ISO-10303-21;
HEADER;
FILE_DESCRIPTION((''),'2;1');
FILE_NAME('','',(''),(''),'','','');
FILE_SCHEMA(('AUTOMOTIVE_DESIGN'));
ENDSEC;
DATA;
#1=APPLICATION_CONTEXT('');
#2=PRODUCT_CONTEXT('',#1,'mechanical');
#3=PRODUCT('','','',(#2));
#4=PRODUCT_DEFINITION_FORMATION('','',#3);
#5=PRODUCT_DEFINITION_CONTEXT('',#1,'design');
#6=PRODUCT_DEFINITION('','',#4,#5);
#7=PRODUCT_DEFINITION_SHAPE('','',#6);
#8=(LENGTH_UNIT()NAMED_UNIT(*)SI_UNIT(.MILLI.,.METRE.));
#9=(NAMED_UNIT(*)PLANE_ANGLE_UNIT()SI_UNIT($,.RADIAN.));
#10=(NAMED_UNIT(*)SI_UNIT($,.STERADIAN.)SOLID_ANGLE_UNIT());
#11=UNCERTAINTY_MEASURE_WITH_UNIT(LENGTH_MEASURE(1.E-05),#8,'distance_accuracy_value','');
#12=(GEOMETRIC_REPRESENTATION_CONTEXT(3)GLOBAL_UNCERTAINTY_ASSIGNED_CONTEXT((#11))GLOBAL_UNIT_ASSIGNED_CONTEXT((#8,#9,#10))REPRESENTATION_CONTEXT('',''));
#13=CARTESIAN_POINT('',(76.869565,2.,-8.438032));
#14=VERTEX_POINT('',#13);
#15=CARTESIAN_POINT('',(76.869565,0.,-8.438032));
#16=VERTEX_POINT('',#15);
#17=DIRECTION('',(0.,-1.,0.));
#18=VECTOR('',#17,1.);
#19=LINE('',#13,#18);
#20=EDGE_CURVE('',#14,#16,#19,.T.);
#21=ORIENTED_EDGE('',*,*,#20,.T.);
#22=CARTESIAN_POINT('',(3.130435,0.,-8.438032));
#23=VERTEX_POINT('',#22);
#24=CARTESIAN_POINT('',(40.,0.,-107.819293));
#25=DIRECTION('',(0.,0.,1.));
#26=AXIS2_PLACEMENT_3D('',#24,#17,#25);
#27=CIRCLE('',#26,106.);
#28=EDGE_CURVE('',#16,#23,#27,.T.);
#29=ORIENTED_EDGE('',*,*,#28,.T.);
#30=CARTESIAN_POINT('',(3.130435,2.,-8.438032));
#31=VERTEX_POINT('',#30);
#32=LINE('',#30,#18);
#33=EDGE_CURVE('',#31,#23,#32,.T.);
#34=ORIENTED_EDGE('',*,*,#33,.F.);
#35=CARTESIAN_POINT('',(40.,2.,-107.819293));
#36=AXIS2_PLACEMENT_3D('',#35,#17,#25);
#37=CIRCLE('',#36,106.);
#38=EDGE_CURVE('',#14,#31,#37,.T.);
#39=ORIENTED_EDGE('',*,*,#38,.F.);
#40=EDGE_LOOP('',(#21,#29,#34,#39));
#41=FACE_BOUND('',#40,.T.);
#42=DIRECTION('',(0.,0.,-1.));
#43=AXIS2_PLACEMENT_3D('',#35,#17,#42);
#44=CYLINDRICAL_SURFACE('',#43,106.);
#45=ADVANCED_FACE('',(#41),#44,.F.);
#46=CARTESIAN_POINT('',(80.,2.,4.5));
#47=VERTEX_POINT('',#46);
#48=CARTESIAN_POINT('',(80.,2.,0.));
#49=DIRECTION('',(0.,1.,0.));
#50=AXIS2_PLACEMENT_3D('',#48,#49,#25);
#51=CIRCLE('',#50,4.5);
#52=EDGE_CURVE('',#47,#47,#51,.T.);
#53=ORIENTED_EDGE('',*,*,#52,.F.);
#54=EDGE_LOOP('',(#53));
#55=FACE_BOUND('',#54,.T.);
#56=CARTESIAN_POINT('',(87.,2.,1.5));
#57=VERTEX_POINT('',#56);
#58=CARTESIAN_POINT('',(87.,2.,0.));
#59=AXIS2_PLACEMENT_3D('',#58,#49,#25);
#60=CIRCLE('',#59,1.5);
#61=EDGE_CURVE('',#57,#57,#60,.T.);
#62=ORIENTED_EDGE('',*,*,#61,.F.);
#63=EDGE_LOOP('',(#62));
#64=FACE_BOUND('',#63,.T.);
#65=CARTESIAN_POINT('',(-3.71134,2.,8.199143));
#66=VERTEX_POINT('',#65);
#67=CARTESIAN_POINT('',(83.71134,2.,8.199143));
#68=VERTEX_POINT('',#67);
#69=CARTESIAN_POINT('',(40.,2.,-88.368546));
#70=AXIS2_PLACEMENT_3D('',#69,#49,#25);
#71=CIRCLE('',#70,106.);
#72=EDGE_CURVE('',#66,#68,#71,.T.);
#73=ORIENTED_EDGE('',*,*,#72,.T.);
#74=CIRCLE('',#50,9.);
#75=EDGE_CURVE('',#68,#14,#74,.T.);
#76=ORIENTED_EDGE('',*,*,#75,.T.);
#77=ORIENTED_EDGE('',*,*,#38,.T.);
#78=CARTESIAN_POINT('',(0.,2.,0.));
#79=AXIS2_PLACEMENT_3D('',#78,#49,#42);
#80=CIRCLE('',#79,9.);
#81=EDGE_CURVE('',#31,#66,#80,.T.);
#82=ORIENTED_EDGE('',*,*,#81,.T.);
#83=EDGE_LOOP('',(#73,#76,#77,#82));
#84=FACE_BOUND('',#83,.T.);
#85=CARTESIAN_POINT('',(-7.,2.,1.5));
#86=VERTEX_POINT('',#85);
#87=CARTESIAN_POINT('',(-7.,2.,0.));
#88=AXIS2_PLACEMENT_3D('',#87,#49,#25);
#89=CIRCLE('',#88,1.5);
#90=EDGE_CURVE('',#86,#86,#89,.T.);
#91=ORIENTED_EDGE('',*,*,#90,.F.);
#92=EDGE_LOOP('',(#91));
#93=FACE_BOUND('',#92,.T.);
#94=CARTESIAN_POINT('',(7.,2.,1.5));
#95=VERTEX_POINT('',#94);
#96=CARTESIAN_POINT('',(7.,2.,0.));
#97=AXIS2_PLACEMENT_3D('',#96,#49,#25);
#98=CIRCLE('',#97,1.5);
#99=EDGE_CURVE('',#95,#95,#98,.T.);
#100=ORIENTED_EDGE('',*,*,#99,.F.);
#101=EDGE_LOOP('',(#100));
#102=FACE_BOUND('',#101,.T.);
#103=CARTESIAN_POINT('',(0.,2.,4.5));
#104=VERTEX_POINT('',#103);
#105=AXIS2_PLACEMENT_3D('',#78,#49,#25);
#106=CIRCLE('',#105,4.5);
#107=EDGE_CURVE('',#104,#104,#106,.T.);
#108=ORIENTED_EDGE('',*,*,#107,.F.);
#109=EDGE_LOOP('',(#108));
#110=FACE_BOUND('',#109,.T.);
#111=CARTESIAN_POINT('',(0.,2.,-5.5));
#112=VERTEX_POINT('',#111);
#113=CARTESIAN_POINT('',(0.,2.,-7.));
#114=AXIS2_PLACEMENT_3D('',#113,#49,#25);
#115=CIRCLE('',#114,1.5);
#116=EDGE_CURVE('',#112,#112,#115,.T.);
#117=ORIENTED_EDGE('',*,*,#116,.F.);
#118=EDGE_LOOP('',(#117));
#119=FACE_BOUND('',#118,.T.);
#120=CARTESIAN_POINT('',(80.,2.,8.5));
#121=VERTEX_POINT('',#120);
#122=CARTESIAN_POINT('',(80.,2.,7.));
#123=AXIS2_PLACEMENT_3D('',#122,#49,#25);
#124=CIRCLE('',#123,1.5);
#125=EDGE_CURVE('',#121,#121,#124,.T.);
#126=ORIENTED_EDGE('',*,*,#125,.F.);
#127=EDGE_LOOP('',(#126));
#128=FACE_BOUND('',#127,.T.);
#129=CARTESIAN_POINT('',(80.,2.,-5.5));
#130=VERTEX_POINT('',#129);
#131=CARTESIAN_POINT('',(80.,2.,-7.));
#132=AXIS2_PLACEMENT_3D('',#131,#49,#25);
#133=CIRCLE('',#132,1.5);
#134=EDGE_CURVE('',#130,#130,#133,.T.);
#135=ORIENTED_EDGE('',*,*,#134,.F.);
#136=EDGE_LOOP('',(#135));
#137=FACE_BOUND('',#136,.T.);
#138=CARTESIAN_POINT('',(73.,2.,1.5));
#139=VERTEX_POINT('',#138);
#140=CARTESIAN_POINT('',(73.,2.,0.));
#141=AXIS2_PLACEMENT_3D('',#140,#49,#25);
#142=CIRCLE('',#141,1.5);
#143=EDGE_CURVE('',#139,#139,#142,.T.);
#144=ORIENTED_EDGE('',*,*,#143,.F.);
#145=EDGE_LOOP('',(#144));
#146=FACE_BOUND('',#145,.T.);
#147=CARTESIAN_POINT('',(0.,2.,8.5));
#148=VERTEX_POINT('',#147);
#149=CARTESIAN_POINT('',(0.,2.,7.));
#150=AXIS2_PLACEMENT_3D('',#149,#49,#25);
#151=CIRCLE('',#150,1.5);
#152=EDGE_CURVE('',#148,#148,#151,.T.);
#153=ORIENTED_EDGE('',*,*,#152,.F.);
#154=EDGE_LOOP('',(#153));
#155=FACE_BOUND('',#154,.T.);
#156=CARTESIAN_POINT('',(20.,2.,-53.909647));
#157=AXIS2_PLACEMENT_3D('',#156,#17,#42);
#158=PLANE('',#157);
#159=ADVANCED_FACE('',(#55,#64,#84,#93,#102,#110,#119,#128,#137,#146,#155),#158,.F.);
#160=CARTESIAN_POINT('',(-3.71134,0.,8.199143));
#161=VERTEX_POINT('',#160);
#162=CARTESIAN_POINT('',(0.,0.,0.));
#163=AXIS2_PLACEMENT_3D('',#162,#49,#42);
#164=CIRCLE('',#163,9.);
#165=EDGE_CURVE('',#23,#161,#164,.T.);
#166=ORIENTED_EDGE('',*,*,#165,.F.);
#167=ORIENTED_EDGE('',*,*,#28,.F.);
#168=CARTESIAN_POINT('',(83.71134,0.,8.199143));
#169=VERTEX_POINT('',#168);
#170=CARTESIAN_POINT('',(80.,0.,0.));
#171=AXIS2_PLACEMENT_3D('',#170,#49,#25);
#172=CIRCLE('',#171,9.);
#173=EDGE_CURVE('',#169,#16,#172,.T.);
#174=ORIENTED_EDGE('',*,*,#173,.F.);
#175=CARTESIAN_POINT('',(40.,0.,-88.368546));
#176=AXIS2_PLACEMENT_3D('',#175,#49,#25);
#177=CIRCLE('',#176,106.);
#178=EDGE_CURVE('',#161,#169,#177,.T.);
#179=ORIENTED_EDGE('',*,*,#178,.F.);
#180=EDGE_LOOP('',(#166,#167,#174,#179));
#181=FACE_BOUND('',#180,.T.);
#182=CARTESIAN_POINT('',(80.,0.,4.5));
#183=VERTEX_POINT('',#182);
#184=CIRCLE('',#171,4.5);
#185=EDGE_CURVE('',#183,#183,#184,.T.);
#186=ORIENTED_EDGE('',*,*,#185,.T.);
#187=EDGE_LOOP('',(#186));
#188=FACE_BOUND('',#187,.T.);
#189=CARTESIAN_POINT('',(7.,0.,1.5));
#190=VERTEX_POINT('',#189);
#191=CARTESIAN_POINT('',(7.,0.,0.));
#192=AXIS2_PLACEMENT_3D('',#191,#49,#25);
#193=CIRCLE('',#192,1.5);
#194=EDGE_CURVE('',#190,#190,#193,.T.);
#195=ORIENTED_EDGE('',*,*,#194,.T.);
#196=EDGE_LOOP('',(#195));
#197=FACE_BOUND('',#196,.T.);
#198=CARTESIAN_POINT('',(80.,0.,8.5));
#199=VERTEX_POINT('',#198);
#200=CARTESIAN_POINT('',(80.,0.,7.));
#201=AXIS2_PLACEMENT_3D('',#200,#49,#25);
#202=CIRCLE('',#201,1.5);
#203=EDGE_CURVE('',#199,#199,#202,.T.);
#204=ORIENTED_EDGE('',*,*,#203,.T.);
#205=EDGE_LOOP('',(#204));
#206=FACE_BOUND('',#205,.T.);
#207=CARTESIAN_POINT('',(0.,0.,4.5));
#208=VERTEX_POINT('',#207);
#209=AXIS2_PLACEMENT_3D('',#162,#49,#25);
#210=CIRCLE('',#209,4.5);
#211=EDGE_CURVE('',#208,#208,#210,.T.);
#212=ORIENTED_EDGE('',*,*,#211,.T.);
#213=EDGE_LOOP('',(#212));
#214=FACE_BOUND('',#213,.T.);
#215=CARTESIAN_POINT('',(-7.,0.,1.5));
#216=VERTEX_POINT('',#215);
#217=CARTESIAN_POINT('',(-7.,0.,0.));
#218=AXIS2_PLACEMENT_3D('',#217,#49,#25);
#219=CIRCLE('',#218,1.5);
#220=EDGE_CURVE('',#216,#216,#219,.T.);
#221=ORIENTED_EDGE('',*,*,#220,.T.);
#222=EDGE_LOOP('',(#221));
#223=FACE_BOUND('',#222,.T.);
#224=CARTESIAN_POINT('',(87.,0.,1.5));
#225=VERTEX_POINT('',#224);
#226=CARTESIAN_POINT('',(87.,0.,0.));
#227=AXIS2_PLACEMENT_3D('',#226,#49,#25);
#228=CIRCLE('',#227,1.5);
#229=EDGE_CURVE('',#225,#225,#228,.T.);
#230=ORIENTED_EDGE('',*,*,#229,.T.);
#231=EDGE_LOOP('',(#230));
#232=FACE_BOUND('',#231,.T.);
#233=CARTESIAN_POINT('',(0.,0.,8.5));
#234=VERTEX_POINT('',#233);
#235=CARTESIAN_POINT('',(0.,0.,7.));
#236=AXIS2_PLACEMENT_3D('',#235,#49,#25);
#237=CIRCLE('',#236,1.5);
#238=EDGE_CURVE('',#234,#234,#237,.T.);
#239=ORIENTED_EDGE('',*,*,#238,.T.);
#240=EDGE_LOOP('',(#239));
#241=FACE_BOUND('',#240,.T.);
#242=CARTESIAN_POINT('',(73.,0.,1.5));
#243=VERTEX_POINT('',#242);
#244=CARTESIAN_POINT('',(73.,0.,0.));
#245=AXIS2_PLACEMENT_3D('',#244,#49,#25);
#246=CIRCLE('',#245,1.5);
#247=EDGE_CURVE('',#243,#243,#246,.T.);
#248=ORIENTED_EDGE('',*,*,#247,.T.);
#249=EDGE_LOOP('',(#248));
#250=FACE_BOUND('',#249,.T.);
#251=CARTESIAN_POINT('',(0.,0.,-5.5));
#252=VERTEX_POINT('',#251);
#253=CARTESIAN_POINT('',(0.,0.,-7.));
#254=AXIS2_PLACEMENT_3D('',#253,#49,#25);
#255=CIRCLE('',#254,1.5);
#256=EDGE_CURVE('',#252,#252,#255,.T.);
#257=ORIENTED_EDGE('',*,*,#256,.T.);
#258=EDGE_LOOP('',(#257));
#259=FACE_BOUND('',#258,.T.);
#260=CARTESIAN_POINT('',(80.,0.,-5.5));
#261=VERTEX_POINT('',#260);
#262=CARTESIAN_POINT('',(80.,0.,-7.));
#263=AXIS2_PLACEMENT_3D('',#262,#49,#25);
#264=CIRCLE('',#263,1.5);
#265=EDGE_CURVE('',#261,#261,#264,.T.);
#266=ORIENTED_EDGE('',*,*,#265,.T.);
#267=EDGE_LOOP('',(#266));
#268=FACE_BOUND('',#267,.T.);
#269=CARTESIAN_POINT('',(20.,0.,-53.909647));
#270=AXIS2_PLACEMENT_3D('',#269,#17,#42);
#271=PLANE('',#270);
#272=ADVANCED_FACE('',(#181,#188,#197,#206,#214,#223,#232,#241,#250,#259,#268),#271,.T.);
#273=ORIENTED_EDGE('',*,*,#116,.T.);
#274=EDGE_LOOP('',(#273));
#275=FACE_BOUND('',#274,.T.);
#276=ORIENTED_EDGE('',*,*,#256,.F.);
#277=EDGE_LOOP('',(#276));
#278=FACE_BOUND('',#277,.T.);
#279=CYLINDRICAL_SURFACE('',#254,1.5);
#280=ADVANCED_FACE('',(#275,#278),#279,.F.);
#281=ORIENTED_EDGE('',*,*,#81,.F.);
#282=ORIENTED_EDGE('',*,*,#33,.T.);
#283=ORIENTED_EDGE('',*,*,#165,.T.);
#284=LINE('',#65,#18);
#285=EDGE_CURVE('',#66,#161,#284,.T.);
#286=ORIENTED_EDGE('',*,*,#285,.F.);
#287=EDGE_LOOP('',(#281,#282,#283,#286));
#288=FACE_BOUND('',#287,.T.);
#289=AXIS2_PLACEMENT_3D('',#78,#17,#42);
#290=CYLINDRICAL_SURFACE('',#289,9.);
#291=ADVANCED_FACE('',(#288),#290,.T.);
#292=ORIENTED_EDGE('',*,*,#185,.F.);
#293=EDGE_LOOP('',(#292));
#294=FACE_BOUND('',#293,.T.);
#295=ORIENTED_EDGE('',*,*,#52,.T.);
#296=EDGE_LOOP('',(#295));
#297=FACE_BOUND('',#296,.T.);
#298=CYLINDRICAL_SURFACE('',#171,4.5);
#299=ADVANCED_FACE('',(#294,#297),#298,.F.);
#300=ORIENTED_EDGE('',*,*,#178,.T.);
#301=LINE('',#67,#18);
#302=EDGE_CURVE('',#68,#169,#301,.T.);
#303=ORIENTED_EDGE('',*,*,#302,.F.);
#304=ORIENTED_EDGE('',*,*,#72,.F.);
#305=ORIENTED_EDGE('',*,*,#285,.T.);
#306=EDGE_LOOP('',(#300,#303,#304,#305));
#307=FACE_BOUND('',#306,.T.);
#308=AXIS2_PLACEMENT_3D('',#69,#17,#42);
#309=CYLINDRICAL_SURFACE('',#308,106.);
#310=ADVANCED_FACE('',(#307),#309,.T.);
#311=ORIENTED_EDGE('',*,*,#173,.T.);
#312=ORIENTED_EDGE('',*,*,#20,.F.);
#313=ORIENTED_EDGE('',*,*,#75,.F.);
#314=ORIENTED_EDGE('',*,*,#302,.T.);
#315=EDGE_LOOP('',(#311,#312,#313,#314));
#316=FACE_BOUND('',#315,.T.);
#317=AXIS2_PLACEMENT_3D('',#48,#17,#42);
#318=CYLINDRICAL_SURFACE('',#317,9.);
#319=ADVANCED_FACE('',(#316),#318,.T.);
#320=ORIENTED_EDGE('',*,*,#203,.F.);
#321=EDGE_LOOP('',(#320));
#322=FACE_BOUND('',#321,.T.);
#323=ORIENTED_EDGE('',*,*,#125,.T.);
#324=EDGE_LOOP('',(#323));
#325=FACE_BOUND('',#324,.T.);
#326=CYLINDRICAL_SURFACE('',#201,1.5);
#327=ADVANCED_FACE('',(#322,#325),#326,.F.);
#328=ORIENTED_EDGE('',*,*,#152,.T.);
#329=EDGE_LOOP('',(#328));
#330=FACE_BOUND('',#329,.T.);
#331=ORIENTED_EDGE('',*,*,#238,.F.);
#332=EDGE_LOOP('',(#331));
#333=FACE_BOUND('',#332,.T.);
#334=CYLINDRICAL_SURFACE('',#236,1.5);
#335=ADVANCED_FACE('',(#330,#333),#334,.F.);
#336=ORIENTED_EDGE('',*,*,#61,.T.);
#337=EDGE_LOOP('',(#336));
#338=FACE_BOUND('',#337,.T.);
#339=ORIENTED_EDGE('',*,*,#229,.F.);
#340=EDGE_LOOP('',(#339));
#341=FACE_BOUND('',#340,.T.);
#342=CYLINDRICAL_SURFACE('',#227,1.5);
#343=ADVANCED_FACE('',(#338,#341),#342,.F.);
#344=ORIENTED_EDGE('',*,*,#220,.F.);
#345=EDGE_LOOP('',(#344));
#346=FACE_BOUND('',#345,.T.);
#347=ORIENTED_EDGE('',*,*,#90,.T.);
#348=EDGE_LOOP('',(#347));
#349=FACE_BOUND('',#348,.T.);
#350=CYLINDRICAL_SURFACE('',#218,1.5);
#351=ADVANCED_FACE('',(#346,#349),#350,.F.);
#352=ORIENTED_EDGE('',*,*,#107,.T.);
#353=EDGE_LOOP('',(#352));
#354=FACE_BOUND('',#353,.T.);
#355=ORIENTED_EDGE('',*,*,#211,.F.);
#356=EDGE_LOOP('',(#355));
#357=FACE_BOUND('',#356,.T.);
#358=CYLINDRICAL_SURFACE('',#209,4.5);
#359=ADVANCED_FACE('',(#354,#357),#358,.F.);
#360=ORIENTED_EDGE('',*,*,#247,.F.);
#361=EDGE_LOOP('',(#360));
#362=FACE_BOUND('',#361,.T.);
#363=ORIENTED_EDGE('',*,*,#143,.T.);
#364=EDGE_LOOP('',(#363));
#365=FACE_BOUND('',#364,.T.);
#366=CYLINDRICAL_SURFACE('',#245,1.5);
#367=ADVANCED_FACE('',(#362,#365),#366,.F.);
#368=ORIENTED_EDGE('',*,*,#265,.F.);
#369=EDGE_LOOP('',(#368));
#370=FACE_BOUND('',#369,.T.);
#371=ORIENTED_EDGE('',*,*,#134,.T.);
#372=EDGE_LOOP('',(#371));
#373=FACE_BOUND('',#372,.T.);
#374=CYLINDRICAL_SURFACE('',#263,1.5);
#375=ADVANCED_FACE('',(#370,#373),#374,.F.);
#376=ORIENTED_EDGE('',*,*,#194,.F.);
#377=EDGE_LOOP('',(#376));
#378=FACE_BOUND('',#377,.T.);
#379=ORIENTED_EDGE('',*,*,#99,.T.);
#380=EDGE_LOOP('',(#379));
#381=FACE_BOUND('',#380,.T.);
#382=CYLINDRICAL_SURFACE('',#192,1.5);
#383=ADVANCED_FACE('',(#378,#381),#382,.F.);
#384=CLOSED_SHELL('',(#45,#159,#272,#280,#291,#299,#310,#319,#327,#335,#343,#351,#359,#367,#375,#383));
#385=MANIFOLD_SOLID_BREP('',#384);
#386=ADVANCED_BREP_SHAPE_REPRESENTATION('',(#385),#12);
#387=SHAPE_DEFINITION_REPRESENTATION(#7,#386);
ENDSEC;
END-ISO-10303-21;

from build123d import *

# Parameters (mm, degrees)
EXTRUDE_1_DEPTH     = 2
SKETCH_2_R          = 4.5
SKETCH_2_R_2        = 1.5
CUT_EXTRUDE_1_DEPTH = 91.751684032


with BuildPart() as part:
    # 草图1 → 凸台-拉伸1 (new body)
    with BuildSketch(Plane(origin=(0, 0, 0), x_dir=(1, 0, 0), z_dir=(0, 1, 0))):
        with BuildLine():
            ThreePointArc((3.130434783, 8.438031647), (40, 1.819293264), (76.869565217, 8.438031647))
            ThreePointArc((76.869565217, 8.438031647), (88.32365676, 3.422972121), (83.711340206, -8.199143484))
            ThreePointArc((83.711340206, -8.199143484), (40, -17.63145356), (-3.711340206, -8.199143484))
            ThreePointArc((-3.711340206, -8.199143484), (-8.32365676, 3.422972121), (3.130434783, 8.438031647))
        make_face()
    extrude(amount=EXTRUDE_1_DEPTH)

    # 草图2 → 切除-拉伸1 (cut, through all)
    with BuildSketch(Plane(origin=(0, 2, 0), x_dir=(1, 0, 0), z_dir=(0, 1, 0))):
        with Locations(Location((0, 0, 0), (0, 0, 270))):
            Circle(SKETCH_2_R)
        with Locations(Location((80, 0, 0), (0, 0, 270))):
            Circle(SKETCH_2_R)
        with Locations(Location((7, 0, 0), (0, 0, 270))):
            Circle(SKETCH_2_R_2)
        with Locations(Location((0, -7, 0), (0, 0, 270))):
            Circle(SKETCH_2_R_2)
        with Locations(Location((-7, 0, 0), (0, 0, 270))):
            Circle(SKETCH_2_R_2)
        with Locations(Location((0, 7, 0), (0, 0, 270))):
            Circle(SKETCH_2_R_2)
        with Locations(Location((73, 0, 0), (0, 0, 270))):
            Circle(SKETCH_2_R_2)
        with Locations(Location((80, 7, 0), (0, 0, 270))):
            Circle(SKETCH_2_R_2)
        with Locations(Location((87, 0, 0), (0, 0, 270))):
            Circle(SKETCH_2_R_2)
        with Locations(Location((80, -7, 0), (0, 0, 270))):
            Circle(SKETCH_2_R_2)
    extrude(amount=-CUT_EXTRUDE_1_DEPTH, mode=Mode.SUBTRACT)


solid = part.part
